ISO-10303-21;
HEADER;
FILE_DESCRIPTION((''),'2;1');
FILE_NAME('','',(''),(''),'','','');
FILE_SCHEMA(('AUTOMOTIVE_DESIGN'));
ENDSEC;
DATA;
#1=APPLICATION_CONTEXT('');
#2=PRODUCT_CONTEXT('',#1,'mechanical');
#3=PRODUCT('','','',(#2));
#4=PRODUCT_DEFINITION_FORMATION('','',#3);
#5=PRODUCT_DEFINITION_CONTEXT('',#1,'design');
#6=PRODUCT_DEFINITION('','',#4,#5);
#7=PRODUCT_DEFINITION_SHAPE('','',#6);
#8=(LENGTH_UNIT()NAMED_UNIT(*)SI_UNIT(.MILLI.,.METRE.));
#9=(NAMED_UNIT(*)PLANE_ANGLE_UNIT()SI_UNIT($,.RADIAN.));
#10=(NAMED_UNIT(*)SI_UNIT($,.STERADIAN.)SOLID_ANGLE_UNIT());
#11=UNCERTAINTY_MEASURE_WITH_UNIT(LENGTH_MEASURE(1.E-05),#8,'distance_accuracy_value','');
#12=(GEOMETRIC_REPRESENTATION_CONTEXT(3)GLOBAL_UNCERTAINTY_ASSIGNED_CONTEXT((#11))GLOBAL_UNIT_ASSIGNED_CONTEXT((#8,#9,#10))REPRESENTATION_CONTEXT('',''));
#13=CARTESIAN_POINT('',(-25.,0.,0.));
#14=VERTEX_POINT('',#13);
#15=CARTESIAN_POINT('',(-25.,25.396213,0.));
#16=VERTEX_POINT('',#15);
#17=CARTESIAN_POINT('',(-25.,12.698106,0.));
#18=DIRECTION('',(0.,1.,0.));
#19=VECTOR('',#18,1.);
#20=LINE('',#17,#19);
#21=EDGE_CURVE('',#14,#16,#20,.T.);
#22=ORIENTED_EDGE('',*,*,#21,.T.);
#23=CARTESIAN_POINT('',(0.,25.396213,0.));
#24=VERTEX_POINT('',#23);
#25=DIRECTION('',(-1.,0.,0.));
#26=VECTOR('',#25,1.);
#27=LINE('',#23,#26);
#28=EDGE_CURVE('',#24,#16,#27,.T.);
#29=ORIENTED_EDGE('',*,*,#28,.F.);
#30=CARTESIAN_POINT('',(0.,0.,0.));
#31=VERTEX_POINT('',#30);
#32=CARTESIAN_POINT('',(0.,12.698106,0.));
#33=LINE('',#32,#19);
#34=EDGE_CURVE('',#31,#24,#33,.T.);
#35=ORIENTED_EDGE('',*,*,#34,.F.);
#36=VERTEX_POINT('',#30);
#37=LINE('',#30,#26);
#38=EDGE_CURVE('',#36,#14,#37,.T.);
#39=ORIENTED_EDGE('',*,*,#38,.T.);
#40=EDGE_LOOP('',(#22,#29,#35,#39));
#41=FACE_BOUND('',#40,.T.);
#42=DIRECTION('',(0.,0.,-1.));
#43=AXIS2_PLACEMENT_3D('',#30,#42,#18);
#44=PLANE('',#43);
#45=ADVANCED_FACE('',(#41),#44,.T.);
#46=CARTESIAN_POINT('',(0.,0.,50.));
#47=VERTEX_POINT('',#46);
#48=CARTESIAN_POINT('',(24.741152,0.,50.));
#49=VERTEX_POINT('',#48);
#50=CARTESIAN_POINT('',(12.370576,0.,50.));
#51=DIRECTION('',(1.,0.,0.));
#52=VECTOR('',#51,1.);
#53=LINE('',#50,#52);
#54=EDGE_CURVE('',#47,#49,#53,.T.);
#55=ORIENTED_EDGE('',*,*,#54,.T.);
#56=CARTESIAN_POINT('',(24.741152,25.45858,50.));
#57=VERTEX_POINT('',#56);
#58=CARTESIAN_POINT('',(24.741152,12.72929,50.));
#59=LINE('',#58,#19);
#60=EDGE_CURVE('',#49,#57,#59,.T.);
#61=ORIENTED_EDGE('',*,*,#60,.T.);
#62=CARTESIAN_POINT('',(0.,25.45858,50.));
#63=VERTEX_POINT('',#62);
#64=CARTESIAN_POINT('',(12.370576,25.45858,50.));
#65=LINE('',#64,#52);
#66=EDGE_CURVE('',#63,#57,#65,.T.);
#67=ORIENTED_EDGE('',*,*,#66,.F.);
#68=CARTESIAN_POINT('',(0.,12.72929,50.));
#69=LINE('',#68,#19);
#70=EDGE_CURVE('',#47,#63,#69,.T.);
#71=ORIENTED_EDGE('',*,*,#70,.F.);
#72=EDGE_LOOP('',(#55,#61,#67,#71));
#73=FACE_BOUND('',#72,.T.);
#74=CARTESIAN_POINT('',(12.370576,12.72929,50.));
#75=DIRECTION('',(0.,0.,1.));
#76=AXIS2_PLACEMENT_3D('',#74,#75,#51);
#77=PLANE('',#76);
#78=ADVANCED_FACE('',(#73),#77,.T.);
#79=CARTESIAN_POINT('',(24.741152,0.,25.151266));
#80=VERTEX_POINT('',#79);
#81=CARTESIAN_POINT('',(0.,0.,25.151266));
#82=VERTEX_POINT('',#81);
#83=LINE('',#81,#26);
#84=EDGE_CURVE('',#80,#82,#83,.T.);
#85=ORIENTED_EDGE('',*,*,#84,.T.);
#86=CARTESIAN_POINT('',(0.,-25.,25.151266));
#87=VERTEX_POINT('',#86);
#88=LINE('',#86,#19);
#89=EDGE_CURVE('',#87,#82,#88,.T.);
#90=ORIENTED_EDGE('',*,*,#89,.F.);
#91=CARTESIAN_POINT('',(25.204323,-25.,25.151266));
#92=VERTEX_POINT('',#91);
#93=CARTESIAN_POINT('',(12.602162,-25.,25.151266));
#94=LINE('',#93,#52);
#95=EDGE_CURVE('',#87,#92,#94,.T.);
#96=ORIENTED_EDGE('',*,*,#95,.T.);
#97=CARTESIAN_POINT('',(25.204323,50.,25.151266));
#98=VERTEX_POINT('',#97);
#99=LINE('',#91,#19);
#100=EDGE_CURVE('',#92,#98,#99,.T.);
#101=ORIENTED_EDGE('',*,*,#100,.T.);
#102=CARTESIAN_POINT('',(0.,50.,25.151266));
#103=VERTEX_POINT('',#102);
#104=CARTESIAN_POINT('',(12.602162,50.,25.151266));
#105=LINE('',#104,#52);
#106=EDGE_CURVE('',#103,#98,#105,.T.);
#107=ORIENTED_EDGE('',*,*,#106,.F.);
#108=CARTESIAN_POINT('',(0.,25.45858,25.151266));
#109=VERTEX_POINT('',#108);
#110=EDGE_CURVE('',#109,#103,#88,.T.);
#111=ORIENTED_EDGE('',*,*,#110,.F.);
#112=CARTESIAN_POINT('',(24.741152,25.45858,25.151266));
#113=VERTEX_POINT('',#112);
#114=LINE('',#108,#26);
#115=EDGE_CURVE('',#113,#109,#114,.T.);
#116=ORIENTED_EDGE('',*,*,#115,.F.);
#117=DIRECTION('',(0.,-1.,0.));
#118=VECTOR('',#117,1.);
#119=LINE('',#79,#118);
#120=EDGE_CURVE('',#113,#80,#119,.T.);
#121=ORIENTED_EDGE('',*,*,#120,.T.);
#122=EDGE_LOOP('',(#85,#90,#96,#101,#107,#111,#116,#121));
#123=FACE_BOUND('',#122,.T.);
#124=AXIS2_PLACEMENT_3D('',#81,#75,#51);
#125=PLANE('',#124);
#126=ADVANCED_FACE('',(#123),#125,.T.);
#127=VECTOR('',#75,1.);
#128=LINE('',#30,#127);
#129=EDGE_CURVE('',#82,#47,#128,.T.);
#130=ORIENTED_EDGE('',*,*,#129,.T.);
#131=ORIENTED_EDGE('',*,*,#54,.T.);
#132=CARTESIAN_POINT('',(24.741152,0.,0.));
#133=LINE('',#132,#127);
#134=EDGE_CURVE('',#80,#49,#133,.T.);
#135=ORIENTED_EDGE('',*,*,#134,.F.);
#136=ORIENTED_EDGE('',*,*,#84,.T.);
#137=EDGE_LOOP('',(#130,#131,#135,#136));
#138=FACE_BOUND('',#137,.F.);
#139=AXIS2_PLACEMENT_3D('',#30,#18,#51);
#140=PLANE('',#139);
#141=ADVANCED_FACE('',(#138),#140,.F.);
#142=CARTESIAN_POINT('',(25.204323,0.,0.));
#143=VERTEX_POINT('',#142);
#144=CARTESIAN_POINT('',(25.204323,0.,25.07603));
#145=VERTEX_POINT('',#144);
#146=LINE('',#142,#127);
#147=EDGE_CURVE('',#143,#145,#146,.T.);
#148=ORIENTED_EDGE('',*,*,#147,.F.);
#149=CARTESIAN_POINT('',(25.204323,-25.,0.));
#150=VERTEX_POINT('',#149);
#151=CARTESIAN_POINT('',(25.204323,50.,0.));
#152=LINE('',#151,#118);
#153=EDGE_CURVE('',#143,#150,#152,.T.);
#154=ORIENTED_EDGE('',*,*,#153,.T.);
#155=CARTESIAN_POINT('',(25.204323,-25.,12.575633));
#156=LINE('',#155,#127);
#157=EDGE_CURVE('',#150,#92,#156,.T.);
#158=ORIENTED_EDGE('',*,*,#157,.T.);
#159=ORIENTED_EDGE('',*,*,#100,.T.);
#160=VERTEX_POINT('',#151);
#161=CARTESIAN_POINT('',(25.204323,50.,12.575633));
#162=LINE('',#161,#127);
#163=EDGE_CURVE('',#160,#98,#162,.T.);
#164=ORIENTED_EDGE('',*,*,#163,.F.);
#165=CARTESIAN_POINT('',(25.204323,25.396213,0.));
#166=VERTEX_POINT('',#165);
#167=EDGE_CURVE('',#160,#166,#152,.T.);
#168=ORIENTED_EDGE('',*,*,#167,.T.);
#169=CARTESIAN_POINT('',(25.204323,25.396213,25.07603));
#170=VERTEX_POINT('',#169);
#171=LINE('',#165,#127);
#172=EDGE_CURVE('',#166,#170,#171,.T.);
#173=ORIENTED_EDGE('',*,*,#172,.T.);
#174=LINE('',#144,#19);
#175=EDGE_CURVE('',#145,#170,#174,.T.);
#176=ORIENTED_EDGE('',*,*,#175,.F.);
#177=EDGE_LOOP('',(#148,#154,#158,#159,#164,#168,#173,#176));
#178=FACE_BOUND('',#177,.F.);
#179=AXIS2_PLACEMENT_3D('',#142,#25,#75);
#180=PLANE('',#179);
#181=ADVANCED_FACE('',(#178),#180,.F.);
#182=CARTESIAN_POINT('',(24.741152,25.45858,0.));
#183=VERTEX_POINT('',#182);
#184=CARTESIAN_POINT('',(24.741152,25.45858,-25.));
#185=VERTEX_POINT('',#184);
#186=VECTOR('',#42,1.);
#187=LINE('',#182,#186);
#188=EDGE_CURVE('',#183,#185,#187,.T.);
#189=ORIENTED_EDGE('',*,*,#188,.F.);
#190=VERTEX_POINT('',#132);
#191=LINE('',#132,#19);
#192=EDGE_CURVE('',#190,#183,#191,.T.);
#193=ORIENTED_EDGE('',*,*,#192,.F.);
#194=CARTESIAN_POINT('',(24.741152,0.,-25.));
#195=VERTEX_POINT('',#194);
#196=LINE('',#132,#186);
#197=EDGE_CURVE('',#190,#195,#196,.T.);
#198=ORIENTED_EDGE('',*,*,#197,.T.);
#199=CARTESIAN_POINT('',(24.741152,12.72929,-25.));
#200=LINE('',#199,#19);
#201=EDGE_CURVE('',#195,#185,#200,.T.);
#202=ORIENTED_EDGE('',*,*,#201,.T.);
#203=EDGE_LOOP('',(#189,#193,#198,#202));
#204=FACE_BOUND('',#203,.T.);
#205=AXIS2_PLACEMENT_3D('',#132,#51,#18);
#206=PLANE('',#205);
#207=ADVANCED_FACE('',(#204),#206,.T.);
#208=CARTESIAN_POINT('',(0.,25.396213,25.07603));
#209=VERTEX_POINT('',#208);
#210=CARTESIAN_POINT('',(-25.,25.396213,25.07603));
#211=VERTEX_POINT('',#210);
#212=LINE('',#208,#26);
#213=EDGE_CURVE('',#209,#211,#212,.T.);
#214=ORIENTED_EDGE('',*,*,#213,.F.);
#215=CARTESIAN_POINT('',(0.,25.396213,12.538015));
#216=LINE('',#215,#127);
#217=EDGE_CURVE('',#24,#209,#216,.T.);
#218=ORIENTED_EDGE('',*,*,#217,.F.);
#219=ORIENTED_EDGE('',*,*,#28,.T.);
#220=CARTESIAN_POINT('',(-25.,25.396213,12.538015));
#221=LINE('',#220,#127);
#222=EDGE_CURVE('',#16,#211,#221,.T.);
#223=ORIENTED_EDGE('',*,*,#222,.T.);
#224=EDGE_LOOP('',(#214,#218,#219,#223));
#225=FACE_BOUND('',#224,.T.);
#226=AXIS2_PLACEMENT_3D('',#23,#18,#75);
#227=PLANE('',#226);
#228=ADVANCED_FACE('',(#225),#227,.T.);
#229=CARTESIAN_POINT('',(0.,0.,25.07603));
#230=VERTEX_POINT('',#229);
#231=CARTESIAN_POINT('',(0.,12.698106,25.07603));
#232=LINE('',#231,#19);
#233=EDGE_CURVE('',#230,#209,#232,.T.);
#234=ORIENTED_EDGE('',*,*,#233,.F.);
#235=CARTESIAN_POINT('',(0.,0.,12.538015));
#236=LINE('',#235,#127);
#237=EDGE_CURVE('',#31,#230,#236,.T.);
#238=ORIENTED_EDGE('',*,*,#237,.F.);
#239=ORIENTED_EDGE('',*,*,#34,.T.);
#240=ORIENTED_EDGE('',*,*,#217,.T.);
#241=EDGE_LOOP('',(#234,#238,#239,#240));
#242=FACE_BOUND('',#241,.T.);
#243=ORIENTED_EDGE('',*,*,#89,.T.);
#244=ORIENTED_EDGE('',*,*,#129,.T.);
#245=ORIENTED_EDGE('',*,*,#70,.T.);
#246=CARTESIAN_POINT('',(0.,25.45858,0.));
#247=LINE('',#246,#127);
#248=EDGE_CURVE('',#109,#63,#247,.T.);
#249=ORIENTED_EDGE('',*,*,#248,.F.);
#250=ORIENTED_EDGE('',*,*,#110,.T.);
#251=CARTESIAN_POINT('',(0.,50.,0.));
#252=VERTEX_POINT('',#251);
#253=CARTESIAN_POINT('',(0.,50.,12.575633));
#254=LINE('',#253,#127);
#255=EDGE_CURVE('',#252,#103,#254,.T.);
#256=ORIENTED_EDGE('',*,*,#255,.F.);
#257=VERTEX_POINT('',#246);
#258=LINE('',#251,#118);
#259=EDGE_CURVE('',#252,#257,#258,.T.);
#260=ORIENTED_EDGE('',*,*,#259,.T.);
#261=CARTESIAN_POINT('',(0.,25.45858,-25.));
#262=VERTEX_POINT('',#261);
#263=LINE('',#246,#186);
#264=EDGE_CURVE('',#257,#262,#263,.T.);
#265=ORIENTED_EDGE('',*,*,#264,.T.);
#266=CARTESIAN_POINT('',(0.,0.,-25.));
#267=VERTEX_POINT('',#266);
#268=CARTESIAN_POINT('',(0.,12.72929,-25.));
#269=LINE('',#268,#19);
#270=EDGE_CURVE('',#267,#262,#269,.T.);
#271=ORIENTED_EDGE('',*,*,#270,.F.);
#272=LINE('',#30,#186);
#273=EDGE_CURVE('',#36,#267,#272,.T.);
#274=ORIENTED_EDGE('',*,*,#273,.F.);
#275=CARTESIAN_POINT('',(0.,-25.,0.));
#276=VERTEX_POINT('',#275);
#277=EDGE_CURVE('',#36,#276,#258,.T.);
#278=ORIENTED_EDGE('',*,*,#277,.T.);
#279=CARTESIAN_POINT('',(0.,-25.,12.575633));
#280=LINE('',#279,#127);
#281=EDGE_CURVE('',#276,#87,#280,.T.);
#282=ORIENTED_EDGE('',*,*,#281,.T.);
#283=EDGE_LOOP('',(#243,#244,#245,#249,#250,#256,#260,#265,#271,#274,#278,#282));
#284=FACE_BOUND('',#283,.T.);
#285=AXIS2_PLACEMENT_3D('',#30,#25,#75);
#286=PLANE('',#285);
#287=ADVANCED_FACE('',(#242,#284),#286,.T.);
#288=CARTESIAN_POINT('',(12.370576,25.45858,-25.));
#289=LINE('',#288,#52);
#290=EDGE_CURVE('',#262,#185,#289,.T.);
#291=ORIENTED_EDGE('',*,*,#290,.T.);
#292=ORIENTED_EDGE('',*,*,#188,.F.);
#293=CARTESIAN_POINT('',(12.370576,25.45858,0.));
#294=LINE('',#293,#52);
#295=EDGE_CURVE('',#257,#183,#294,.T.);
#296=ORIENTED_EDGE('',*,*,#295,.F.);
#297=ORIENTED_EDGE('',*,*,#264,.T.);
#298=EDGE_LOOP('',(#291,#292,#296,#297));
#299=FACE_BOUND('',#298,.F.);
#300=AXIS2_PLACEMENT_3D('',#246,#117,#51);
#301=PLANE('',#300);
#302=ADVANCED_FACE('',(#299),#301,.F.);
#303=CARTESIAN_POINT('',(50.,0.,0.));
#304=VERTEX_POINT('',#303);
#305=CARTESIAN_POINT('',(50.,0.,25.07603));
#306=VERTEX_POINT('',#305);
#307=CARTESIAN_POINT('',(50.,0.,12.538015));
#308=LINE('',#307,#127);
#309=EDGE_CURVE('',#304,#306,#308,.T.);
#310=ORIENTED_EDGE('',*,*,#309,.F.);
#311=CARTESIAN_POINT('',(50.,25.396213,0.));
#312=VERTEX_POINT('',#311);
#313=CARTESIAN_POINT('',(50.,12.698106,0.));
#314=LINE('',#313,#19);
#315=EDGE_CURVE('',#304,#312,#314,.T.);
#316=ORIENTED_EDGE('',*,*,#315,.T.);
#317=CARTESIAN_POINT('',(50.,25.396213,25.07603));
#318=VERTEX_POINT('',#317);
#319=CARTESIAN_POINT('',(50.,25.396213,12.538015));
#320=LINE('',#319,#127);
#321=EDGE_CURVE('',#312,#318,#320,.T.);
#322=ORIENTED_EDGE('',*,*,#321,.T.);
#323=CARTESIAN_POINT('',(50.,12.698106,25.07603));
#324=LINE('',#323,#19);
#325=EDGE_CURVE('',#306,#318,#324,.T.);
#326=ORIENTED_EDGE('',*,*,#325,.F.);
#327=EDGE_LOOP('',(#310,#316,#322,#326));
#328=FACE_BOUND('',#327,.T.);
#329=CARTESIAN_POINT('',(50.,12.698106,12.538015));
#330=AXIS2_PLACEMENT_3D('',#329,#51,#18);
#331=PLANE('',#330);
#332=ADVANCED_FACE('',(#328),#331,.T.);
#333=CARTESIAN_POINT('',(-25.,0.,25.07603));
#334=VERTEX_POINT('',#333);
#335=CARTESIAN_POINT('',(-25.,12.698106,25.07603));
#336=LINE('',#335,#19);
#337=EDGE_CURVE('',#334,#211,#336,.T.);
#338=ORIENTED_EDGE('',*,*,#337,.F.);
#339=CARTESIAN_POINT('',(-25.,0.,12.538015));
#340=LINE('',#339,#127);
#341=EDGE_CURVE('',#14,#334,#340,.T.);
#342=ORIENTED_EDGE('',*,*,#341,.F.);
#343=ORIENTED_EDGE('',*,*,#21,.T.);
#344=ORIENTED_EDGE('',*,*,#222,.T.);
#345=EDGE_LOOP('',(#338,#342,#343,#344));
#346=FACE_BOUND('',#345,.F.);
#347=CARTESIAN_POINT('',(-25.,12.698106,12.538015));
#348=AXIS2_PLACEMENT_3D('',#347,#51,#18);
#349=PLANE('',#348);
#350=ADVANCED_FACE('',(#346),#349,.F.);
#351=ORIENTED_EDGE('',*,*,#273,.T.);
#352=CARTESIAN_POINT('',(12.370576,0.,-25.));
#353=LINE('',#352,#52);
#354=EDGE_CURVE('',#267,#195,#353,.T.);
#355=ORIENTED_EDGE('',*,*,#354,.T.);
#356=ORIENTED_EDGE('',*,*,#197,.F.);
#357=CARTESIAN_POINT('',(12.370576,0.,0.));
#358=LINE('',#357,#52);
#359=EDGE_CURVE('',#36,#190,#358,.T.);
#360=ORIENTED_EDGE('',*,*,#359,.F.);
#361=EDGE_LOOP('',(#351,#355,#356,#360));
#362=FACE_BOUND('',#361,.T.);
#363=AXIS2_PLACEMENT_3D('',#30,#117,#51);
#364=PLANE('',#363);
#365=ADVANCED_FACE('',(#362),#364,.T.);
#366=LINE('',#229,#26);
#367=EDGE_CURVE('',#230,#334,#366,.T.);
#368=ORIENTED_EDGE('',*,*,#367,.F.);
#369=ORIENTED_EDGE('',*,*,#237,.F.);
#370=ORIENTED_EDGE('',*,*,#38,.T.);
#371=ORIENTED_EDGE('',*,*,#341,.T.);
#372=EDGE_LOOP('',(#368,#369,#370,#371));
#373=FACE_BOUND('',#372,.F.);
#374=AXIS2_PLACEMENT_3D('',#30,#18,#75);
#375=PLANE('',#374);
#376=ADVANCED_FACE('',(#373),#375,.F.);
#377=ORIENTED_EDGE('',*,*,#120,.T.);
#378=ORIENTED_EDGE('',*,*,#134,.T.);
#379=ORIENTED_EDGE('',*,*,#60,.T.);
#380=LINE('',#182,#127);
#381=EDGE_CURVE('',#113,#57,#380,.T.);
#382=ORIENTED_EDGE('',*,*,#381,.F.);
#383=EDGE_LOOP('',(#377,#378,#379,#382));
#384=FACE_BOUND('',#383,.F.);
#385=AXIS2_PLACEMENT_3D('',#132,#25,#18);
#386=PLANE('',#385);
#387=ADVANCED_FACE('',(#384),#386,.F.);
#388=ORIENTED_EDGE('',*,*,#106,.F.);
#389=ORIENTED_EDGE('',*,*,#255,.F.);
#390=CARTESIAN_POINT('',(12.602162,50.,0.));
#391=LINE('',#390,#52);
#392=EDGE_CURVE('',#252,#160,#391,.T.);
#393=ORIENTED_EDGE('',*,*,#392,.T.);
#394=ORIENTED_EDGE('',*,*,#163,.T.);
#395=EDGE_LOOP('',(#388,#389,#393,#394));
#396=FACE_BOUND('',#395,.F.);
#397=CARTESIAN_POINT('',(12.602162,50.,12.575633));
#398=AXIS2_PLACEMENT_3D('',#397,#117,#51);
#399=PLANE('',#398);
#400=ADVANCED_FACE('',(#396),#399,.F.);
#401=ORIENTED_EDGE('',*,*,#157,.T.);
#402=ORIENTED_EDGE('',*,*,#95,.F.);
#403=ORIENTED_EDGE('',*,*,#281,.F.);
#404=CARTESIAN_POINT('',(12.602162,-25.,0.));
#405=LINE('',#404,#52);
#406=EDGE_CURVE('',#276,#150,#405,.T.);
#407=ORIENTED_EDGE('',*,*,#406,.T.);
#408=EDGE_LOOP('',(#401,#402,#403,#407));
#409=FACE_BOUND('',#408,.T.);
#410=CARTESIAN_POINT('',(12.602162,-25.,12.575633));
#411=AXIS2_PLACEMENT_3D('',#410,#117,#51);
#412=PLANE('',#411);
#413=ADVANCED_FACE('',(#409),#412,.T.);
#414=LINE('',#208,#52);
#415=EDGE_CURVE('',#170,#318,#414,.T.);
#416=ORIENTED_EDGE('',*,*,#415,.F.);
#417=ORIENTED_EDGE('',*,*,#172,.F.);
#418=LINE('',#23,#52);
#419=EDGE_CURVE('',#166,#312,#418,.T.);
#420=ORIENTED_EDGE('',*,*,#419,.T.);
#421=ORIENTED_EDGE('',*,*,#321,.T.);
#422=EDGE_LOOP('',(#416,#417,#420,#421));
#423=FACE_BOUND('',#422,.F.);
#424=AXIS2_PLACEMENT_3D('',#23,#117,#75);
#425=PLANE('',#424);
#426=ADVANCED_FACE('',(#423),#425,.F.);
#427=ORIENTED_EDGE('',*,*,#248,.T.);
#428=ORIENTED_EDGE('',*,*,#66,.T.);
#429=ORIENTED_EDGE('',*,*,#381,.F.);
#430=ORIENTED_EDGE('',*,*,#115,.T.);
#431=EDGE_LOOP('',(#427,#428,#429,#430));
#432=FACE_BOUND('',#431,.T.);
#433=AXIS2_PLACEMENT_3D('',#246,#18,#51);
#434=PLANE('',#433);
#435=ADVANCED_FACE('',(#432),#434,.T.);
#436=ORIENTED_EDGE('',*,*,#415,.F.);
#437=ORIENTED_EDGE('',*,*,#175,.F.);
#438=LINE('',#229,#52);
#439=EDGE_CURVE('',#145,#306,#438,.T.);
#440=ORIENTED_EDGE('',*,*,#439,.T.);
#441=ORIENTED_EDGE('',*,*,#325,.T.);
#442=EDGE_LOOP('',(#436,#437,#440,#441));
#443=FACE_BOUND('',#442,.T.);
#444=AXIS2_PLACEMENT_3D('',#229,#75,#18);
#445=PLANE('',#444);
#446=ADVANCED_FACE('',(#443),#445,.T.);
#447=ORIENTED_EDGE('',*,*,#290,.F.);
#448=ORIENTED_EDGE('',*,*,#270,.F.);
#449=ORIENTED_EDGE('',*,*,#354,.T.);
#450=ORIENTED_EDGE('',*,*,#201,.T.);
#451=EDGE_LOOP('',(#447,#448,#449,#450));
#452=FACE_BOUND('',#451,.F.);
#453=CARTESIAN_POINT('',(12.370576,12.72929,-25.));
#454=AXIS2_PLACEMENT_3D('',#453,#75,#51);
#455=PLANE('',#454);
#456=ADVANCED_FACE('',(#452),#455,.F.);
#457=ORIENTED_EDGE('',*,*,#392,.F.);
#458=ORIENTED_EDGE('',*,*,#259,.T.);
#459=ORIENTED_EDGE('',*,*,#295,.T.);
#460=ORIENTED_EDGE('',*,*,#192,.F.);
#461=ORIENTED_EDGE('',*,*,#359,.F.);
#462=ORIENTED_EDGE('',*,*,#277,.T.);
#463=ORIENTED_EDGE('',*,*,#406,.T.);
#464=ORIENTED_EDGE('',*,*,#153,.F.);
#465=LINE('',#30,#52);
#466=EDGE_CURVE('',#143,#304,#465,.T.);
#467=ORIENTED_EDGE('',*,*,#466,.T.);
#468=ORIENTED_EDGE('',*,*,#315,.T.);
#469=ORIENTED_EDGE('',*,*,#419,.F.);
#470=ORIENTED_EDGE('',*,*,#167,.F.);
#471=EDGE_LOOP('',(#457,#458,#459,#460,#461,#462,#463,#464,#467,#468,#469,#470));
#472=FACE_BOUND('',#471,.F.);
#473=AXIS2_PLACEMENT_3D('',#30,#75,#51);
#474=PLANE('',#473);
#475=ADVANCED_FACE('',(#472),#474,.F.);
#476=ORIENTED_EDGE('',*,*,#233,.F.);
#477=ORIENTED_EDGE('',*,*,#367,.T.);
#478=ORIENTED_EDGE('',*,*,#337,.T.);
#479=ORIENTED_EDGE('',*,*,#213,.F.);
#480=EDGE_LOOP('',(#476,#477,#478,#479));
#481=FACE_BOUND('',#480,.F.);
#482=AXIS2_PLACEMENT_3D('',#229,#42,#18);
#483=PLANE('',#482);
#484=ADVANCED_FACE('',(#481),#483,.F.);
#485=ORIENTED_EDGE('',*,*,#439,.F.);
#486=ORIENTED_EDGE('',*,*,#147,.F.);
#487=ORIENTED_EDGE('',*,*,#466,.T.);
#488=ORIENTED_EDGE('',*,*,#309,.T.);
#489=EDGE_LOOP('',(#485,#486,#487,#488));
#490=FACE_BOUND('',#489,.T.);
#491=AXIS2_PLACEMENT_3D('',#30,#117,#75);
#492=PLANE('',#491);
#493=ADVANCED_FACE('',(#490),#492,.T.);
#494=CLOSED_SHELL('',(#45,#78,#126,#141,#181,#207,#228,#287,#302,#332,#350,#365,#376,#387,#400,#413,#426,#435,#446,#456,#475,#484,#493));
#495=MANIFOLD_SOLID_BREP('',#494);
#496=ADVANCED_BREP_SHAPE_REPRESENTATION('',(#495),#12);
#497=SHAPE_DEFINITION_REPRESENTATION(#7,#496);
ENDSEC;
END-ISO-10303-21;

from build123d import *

# Parameters (mm, degrees)
F0_W          = 25.2043232322
F0_H          = 25.1512657851
F1_DEPTH      = 50
F1_DEPTH_BACK = 25
F2_W          = 24.7411523014
F2_H          = 25.458579883
F3_DEPTH      = 25
F3_DEPTH_BACK = 50
F4_W          = 25.3962129354
F4_H          = 25.0760298222
F5_DEPTH      = 25
F5_DEPTH_BACK = 50


with BuildPart() as f1:
    # F0 (on Front) → F1 (new body, two sides)
    with BuildSketch(Plane.XZ) as f1_sk:
        with Locations((12.6021616161, 12.5756328925)):
            Rectangle(F0_W, F0_H)
    extrude(amount=-F1_DEPTH)
    extrude(f1_sk.sketch, amount=F1_DEPTH_BACK)

    # F2 (on Top) → F3 (join, two sides)
    with BuildSketch(Plane.XY) as f3_sk:
        with Locations((12.3705761507, 12.7292899415)):
            Rectangle(F2_W, F2_H)
    extrude(amount=-F3_DEPTH)
    extrude(f3_sk.sketch, amount=F3_DEPTH_BACK)

    # F4 (on Right) → F5 (join, two sides)
    with BuildSketch(Plane.YZ) as f5_sk:
        with Locations((12.6981064677, 12.5380149111)):
            Rectangle(F4_W, F4_H)
    extrude(amount=-F5_DEPTH)
    extrude(f5_sk.sketch, amount=F5_DEPTH_BACK)


solid = f1.part
